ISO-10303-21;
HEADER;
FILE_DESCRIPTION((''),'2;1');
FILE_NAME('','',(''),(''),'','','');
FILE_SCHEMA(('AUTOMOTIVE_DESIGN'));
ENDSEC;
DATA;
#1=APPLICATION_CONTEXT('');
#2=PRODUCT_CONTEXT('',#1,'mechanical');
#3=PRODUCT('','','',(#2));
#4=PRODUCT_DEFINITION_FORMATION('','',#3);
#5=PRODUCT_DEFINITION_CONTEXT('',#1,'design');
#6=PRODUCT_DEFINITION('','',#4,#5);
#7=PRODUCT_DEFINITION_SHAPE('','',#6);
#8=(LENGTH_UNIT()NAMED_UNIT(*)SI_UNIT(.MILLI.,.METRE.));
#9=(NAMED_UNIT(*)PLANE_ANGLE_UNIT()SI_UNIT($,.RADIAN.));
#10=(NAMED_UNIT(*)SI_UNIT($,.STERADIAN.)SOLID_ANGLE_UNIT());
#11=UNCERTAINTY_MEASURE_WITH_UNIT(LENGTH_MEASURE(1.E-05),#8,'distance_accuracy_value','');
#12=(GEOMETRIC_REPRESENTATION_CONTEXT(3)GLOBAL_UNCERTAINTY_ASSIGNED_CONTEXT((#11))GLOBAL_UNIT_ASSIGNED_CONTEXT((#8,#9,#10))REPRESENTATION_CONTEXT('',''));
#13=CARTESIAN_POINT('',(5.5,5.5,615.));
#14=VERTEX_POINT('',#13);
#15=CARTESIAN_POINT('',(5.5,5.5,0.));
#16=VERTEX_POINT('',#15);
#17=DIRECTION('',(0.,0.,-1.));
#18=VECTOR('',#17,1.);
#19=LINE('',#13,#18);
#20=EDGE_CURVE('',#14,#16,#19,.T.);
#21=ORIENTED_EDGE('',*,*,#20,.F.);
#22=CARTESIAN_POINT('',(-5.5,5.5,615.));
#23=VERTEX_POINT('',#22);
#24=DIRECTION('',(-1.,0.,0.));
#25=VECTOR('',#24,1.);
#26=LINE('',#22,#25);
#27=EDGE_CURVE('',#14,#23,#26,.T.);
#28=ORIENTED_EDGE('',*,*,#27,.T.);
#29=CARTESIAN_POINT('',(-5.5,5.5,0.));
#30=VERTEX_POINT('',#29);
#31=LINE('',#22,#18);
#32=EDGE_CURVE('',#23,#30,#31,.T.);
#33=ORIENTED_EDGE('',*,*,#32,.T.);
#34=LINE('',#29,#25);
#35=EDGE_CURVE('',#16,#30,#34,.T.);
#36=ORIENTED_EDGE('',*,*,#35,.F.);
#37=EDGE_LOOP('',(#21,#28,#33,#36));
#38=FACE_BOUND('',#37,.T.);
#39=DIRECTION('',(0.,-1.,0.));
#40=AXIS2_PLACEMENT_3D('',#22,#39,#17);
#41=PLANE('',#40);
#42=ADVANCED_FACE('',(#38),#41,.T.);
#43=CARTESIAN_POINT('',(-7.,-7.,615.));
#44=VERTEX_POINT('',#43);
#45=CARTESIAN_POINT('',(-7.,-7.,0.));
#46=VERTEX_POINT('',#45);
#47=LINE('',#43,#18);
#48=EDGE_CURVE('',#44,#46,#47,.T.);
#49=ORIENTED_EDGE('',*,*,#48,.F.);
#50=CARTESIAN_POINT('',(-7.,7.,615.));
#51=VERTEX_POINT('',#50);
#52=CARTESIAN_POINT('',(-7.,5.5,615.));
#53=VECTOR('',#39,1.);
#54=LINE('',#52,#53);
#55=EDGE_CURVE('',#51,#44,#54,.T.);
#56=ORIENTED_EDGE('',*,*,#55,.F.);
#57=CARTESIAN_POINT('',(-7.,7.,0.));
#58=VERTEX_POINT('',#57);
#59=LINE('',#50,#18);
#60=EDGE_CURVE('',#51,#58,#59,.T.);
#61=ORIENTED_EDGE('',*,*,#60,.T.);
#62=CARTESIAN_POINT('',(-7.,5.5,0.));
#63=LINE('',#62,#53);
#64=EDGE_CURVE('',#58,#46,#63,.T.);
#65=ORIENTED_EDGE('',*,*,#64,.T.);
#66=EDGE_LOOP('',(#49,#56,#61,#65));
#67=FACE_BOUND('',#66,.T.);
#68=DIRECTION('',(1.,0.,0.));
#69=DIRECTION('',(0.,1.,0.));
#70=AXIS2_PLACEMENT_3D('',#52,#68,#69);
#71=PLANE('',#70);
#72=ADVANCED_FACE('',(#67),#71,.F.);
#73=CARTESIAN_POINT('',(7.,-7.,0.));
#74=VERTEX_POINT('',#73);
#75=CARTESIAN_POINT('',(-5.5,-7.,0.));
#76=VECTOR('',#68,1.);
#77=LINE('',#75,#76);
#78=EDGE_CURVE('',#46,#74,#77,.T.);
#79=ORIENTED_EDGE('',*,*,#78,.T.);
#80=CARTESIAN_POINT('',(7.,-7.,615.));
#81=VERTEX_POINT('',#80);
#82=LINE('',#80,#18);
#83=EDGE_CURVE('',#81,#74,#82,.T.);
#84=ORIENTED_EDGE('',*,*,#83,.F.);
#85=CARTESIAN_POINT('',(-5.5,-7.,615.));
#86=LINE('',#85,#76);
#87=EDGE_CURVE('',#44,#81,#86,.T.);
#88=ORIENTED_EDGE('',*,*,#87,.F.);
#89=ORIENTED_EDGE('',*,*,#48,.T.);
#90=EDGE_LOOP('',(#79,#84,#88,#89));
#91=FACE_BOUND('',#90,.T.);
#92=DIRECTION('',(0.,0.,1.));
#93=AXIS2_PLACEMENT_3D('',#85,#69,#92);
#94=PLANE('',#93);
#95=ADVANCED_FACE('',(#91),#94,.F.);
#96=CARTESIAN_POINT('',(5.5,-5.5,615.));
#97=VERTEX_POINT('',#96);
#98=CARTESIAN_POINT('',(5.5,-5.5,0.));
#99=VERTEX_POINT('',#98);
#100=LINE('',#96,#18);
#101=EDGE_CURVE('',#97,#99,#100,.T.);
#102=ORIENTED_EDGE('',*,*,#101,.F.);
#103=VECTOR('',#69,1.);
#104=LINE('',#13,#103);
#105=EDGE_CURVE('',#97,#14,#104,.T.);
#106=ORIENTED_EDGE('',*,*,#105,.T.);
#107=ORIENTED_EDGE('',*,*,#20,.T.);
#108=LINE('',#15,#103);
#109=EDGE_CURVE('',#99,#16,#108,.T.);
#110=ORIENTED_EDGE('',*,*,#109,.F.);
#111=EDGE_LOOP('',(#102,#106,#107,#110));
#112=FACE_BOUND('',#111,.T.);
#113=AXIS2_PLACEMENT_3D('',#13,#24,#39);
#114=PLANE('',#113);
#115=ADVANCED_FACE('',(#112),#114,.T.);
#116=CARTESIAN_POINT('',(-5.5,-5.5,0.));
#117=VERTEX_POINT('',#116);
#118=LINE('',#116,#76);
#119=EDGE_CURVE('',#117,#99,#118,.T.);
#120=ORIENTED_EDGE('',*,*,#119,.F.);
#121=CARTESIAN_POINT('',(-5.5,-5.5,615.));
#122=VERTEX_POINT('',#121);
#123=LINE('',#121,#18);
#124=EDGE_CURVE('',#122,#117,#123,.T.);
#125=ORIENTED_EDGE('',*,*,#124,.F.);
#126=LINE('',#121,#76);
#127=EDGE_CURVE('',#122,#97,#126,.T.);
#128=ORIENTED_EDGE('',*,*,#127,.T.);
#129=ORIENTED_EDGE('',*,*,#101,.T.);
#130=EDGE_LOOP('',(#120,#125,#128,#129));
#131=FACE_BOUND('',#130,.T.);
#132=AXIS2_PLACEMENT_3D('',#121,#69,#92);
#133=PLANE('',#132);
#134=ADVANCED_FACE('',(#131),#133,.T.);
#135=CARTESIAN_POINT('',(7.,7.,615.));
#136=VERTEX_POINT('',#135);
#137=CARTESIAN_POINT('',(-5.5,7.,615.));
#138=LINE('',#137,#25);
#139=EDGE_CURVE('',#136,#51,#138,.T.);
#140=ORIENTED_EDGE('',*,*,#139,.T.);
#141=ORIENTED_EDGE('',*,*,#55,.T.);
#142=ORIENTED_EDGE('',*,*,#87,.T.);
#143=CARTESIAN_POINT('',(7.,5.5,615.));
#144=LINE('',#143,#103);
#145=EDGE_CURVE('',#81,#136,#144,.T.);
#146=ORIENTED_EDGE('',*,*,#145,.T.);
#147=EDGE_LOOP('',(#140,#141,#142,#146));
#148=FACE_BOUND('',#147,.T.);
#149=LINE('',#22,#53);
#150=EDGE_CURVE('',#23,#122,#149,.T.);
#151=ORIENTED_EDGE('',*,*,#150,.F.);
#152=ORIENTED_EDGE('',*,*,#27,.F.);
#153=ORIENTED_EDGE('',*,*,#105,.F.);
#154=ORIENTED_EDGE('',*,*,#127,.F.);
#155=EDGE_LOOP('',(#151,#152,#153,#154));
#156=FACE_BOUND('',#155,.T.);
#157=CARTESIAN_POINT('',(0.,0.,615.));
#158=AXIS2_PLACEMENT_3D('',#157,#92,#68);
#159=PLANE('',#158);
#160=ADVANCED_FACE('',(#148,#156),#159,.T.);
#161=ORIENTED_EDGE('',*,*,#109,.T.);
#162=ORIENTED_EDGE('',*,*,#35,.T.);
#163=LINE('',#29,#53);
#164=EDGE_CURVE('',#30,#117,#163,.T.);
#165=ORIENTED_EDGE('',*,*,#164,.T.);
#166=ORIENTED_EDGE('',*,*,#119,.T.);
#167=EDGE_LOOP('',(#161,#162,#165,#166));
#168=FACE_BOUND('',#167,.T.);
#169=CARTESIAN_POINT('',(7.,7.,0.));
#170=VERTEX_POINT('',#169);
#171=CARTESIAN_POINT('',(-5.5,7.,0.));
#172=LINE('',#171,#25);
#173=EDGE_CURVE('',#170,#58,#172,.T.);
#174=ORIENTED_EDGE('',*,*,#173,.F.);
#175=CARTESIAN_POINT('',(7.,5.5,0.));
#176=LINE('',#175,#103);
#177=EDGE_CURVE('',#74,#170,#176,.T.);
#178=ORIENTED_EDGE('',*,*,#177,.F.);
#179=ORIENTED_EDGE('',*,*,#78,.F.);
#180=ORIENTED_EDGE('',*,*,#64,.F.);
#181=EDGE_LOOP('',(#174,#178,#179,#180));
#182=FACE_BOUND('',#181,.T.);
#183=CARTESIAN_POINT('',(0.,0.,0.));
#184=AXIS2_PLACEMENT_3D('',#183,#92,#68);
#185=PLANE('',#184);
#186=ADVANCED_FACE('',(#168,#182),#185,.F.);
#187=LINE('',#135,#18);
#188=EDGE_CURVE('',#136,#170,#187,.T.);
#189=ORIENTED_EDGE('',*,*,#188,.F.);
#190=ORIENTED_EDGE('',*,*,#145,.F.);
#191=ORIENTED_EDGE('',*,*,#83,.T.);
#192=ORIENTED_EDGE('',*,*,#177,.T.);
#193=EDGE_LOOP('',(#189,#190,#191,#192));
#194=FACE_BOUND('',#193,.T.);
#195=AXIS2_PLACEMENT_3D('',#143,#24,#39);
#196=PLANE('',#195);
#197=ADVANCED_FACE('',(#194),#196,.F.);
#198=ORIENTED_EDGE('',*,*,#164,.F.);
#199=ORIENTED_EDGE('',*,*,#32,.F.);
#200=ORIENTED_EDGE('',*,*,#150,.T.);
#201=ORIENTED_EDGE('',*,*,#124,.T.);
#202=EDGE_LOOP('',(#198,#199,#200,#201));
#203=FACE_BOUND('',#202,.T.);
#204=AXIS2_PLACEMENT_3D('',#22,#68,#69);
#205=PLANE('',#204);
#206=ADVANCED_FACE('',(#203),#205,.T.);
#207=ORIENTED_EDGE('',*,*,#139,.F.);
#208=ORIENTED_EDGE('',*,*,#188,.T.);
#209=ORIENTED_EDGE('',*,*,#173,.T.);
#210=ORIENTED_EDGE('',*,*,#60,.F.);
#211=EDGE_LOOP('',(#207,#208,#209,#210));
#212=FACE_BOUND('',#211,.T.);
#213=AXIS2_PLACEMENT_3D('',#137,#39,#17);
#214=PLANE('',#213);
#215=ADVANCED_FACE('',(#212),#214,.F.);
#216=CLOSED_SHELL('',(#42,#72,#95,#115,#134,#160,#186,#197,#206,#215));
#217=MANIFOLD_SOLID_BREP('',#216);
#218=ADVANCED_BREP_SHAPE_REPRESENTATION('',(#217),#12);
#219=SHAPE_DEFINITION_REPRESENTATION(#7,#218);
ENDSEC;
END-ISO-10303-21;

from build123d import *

# Parameters (mm, degrees)
SKETCH_1_W      = 14
SKETCH_1_H      = 14
SKETCH_1_W_2    = 11
SKETCH_1_H_2    = 11
EXTRUDE_1_DEPTH = 615


with BuildPart() as part:
    # 草图1 → 拉伸-薄壁1 (new body)
    with BuildSketch(Plane.XY):
        Rectangle(SKETCH_1_W, SKETCH_1_H)
        Rectangle(SKETCH_1_W_2, SKETCH_1_H_2, mode=Mode.SUBTRACT)
    extrude(amount=EXTRUDE_1_DEPTH)


solid = part.part
